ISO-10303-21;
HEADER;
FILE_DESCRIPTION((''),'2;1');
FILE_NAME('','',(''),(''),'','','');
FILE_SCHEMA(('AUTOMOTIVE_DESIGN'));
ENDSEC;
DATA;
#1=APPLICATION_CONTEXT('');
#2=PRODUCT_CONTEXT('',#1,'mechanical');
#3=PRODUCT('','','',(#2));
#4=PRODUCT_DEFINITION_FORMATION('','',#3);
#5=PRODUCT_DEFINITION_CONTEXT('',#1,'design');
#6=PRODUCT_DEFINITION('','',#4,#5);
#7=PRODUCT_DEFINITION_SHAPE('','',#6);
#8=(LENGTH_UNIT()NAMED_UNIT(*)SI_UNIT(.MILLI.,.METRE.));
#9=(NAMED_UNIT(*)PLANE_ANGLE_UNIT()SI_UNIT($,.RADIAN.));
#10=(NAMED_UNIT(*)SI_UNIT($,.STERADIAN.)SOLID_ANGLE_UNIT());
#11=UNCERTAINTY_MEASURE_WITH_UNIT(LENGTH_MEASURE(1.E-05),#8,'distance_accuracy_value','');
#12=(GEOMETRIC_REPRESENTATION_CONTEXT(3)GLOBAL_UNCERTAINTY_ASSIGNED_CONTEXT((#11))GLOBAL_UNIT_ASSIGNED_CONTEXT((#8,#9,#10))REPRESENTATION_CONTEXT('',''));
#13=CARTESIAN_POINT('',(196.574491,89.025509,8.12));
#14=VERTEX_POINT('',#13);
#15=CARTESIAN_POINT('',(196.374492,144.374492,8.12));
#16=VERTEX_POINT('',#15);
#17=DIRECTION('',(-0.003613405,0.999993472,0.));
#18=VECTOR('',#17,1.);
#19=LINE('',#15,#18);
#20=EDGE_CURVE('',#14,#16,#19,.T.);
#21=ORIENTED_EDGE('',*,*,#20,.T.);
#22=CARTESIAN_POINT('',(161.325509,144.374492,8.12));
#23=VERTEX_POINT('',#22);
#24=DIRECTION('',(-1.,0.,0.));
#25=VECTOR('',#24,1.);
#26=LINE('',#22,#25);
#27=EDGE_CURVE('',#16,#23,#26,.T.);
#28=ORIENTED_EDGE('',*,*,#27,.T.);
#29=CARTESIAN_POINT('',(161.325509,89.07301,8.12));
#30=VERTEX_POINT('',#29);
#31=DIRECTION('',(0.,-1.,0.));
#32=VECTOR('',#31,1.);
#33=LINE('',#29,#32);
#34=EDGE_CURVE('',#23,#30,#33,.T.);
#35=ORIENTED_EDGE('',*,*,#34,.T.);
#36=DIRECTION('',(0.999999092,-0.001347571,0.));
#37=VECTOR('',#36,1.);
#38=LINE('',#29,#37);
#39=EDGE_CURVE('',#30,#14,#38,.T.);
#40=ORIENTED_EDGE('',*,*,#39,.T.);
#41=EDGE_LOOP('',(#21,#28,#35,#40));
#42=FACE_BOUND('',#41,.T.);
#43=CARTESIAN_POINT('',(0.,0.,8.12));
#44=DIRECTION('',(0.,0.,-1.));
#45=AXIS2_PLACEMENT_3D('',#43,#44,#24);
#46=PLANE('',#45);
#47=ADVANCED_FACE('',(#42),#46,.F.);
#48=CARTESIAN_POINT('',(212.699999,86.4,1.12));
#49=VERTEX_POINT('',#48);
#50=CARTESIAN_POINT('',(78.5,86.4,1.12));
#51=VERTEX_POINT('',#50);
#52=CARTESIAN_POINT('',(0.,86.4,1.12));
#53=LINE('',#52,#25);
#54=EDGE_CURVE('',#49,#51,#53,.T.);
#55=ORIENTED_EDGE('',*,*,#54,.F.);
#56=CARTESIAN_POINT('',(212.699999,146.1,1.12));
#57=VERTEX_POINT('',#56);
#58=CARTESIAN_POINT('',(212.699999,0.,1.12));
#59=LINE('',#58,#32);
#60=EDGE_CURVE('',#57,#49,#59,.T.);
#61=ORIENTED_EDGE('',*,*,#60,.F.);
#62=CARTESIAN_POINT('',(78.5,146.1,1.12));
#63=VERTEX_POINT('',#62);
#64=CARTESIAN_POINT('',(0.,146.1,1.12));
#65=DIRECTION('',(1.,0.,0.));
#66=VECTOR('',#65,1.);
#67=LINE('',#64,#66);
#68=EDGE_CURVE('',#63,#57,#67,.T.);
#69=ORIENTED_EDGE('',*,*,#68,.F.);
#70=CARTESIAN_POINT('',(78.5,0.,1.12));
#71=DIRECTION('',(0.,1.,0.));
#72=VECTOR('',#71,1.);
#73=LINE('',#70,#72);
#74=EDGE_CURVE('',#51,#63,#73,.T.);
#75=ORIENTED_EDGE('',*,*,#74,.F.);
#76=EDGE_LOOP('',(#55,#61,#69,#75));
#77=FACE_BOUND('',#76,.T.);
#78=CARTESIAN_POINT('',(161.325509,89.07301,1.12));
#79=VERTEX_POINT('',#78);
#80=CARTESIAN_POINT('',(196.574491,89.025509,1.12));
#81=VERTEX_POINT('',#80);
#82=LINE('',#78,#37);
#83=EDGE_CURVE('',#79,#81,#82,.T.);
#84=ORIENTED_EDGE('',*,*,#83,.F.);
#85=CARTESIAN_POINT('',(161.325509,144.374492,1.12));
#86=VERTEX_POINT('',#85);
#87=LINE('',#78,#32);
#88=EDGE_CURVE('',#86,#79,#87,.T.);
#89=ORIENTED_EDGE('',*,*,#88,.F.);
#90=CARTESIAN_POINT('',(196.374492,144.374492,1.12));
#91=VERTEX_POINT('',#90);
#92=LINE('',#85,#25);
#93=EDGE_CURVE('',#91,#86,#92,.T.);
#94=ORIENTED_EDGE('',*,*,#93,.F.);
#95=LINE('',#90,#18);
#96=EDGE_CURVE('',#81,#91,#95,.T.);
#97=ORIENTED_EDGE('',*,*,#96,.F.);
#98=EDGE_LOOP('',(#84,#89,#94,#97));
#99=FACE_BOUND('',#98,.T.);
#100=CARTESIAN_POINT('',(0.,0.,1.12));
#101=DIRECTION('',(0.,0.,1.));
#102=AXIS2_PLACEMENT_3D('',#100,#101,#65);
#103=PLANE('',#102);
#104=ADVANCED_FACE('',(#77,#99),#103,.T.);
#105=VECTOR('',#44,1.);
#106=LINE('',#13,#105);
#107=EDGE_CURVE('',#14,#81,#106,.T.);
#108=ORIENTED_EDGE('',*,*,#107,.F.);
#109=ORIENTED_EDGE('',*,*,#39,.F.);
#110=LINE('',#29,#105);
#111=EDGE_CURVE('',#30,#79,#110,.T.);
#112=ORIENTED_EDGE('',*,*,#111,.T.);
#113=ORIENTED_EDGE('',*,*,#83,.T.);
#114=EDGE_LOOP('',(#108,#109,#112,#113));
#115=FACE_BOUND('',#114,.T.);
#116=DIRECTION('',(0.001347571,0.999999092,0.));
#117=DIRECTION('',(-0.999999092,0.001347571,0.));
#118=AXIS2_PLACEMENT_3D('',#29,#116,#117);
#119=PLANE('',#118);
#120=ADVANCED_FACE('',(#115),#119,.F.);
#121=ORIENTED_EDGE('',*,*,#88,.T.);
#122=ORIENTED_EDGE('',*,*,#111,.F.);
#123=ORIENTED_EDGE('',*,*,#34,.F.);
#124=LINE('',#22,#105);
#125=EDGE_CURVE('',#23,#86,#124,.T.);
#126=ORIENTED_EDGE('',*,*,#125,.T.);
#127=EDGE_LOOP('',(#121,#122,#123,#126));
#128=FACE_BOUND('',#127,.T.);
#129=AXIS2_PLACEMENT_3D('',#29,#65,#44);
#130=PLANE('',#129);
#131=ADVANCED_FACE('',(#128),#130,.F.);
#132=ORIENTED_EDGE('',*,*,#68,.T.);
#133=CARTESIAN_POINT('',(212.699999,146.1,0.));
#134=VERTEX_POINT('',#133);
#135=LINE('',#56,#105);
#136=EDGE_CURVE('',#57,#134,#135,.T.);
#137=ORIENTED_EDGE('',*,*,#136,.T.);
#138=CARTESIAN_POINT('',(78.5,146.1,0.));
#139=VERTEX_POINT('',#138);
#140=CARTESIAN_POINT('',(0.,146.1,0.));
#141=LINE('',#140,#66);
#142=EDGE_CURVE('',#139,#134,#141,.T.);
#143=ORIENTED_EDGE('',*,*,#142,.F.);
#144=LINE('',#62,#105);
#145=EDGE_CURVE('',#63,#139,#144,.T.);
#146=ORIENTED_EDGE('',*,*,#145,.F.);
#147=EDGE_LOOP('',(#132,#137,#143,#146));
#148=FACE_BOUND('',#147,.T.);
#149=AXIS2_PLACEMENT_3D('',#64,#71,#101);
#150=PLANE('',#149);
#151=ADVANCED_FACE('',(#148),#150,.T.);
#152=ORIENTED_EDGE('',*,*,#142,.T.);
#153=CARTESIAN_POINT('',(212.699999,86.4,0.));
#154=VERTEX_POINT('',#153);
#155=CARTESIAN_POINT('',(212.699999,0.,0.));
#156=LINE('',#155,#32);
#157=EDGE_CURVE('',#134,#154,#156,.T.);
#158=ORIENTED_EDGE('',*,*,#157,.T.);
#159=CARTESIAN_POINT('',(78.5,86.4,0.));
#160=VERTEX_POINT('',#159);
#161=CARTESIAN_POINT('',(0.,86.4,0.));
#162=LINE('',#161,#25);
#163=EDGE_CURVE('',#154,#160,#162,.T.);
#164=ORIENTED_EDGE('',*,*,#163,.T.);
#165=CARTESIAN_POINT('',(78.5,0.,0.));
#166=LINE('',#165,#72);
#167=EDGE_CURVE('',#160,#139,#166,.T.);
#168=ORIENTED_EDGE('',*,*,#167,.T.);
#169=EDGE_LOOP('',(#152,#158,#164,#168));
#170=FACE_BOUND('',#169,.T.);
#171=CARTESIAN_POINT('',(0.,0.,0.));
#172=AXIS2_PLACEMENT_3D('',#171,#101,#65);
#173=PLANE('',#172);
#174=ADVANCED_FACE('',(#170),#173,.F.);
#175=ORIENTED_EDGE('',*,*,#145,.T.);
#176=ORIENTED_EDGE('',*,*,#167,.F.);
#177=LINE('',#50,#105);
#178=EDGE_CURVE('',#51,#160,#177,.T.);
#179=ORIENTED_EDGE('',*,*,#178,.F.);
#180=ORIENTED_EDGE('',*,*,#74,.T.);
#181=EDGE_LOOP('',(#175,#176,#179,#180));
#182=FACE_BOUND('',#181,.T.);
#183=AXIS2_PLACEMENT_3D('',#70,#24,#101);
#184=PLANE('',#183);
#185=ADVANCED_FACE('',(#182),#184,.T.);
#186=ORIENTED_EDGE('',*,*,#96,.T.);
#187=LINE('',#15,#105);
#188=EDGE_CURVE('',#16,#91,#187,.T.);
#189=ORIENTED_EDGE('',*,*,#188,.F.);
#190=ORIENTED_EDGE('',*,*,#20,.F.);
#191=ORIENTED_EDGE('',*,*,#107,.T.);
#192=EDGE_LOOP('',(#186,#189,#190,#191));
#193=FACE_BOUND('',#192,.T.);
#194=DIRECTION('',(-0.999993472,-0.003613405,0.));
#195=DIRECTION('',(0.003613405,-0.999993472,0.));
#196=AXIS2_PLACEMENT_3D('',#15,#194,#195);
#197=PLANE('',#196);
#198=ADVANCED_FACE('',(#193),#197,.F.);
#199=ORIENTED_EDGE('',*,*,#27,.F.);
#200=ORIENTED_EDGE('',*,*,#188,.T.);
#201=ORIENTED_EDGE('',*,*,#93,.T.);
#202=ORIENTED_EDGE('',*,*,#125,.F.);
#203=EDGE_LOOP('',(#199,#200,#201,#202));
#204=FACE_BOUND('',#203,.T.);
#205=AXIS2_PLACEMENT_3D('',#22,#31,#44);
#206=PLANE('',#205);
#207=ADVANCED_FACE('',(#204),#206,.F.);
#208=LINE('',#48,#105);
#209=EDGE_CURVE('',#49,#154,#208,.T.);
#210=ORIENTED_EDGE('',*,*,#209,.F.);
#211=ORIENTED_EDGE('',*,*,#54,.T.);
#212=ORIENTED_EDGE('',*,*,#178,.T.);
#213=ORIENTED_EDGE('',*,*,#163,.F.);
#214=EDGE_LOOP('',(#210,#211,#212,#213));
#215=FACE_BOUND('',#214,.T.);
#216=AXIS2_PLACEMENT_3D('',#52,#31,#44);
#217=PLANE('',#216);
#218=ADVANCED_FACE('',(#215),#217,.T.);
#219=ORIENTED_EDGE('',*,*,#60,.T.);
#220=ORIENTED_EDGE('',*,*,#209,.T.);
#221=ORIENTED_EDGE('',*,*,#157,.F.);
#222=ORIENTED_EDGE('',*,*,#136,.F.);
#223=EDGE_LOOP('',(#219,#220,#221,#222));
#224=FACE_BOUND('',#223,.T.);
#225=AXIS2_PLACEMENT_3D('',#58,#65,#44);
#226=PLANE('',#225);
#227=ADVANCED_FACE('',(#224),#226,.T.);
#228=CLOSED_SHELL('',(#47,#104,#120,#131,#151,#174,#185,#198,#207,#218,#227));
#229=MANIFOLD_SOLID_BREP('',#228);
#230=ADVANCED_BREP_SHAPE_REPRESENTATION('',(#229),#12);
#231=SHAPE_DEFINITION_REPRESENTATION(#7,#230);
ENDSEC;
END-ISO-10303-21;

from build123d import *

# Parameters (mm, degrees)
SKETCH1_W           = 134.1999983
SKETCH1_H           = 59.69999998
BOSS_EXTRUDE1_DEPTH = 1.12
BOSS_EXTRUDE2_DEPTH = 7


with BuildPart() as part:
    # Sketch1 → Boss-Extrude1 (new body)
    with BuildSketch(Plane.XY):
        with Locations((145.59999963, 116.24999991)):
            Rectangle(SKETCH1_W, SKETCH1_H)
    extrude(amount=BOSS_EXTRUDE1_DEPTH)

    # Sketch2 → Boss-Extrude2 (add)
    with BuildSketch(Plane.XY.offset(1.12)):
        Polygon((161.3255092, 89.07300956), (196.57449128, 89.02550902), (196.37449168, 144.37449154), (161.3255092, 144.37449154), align=None)
    extrude(amount=BOSS_EXTRUDE2_DEPTH)


solid = part.part
